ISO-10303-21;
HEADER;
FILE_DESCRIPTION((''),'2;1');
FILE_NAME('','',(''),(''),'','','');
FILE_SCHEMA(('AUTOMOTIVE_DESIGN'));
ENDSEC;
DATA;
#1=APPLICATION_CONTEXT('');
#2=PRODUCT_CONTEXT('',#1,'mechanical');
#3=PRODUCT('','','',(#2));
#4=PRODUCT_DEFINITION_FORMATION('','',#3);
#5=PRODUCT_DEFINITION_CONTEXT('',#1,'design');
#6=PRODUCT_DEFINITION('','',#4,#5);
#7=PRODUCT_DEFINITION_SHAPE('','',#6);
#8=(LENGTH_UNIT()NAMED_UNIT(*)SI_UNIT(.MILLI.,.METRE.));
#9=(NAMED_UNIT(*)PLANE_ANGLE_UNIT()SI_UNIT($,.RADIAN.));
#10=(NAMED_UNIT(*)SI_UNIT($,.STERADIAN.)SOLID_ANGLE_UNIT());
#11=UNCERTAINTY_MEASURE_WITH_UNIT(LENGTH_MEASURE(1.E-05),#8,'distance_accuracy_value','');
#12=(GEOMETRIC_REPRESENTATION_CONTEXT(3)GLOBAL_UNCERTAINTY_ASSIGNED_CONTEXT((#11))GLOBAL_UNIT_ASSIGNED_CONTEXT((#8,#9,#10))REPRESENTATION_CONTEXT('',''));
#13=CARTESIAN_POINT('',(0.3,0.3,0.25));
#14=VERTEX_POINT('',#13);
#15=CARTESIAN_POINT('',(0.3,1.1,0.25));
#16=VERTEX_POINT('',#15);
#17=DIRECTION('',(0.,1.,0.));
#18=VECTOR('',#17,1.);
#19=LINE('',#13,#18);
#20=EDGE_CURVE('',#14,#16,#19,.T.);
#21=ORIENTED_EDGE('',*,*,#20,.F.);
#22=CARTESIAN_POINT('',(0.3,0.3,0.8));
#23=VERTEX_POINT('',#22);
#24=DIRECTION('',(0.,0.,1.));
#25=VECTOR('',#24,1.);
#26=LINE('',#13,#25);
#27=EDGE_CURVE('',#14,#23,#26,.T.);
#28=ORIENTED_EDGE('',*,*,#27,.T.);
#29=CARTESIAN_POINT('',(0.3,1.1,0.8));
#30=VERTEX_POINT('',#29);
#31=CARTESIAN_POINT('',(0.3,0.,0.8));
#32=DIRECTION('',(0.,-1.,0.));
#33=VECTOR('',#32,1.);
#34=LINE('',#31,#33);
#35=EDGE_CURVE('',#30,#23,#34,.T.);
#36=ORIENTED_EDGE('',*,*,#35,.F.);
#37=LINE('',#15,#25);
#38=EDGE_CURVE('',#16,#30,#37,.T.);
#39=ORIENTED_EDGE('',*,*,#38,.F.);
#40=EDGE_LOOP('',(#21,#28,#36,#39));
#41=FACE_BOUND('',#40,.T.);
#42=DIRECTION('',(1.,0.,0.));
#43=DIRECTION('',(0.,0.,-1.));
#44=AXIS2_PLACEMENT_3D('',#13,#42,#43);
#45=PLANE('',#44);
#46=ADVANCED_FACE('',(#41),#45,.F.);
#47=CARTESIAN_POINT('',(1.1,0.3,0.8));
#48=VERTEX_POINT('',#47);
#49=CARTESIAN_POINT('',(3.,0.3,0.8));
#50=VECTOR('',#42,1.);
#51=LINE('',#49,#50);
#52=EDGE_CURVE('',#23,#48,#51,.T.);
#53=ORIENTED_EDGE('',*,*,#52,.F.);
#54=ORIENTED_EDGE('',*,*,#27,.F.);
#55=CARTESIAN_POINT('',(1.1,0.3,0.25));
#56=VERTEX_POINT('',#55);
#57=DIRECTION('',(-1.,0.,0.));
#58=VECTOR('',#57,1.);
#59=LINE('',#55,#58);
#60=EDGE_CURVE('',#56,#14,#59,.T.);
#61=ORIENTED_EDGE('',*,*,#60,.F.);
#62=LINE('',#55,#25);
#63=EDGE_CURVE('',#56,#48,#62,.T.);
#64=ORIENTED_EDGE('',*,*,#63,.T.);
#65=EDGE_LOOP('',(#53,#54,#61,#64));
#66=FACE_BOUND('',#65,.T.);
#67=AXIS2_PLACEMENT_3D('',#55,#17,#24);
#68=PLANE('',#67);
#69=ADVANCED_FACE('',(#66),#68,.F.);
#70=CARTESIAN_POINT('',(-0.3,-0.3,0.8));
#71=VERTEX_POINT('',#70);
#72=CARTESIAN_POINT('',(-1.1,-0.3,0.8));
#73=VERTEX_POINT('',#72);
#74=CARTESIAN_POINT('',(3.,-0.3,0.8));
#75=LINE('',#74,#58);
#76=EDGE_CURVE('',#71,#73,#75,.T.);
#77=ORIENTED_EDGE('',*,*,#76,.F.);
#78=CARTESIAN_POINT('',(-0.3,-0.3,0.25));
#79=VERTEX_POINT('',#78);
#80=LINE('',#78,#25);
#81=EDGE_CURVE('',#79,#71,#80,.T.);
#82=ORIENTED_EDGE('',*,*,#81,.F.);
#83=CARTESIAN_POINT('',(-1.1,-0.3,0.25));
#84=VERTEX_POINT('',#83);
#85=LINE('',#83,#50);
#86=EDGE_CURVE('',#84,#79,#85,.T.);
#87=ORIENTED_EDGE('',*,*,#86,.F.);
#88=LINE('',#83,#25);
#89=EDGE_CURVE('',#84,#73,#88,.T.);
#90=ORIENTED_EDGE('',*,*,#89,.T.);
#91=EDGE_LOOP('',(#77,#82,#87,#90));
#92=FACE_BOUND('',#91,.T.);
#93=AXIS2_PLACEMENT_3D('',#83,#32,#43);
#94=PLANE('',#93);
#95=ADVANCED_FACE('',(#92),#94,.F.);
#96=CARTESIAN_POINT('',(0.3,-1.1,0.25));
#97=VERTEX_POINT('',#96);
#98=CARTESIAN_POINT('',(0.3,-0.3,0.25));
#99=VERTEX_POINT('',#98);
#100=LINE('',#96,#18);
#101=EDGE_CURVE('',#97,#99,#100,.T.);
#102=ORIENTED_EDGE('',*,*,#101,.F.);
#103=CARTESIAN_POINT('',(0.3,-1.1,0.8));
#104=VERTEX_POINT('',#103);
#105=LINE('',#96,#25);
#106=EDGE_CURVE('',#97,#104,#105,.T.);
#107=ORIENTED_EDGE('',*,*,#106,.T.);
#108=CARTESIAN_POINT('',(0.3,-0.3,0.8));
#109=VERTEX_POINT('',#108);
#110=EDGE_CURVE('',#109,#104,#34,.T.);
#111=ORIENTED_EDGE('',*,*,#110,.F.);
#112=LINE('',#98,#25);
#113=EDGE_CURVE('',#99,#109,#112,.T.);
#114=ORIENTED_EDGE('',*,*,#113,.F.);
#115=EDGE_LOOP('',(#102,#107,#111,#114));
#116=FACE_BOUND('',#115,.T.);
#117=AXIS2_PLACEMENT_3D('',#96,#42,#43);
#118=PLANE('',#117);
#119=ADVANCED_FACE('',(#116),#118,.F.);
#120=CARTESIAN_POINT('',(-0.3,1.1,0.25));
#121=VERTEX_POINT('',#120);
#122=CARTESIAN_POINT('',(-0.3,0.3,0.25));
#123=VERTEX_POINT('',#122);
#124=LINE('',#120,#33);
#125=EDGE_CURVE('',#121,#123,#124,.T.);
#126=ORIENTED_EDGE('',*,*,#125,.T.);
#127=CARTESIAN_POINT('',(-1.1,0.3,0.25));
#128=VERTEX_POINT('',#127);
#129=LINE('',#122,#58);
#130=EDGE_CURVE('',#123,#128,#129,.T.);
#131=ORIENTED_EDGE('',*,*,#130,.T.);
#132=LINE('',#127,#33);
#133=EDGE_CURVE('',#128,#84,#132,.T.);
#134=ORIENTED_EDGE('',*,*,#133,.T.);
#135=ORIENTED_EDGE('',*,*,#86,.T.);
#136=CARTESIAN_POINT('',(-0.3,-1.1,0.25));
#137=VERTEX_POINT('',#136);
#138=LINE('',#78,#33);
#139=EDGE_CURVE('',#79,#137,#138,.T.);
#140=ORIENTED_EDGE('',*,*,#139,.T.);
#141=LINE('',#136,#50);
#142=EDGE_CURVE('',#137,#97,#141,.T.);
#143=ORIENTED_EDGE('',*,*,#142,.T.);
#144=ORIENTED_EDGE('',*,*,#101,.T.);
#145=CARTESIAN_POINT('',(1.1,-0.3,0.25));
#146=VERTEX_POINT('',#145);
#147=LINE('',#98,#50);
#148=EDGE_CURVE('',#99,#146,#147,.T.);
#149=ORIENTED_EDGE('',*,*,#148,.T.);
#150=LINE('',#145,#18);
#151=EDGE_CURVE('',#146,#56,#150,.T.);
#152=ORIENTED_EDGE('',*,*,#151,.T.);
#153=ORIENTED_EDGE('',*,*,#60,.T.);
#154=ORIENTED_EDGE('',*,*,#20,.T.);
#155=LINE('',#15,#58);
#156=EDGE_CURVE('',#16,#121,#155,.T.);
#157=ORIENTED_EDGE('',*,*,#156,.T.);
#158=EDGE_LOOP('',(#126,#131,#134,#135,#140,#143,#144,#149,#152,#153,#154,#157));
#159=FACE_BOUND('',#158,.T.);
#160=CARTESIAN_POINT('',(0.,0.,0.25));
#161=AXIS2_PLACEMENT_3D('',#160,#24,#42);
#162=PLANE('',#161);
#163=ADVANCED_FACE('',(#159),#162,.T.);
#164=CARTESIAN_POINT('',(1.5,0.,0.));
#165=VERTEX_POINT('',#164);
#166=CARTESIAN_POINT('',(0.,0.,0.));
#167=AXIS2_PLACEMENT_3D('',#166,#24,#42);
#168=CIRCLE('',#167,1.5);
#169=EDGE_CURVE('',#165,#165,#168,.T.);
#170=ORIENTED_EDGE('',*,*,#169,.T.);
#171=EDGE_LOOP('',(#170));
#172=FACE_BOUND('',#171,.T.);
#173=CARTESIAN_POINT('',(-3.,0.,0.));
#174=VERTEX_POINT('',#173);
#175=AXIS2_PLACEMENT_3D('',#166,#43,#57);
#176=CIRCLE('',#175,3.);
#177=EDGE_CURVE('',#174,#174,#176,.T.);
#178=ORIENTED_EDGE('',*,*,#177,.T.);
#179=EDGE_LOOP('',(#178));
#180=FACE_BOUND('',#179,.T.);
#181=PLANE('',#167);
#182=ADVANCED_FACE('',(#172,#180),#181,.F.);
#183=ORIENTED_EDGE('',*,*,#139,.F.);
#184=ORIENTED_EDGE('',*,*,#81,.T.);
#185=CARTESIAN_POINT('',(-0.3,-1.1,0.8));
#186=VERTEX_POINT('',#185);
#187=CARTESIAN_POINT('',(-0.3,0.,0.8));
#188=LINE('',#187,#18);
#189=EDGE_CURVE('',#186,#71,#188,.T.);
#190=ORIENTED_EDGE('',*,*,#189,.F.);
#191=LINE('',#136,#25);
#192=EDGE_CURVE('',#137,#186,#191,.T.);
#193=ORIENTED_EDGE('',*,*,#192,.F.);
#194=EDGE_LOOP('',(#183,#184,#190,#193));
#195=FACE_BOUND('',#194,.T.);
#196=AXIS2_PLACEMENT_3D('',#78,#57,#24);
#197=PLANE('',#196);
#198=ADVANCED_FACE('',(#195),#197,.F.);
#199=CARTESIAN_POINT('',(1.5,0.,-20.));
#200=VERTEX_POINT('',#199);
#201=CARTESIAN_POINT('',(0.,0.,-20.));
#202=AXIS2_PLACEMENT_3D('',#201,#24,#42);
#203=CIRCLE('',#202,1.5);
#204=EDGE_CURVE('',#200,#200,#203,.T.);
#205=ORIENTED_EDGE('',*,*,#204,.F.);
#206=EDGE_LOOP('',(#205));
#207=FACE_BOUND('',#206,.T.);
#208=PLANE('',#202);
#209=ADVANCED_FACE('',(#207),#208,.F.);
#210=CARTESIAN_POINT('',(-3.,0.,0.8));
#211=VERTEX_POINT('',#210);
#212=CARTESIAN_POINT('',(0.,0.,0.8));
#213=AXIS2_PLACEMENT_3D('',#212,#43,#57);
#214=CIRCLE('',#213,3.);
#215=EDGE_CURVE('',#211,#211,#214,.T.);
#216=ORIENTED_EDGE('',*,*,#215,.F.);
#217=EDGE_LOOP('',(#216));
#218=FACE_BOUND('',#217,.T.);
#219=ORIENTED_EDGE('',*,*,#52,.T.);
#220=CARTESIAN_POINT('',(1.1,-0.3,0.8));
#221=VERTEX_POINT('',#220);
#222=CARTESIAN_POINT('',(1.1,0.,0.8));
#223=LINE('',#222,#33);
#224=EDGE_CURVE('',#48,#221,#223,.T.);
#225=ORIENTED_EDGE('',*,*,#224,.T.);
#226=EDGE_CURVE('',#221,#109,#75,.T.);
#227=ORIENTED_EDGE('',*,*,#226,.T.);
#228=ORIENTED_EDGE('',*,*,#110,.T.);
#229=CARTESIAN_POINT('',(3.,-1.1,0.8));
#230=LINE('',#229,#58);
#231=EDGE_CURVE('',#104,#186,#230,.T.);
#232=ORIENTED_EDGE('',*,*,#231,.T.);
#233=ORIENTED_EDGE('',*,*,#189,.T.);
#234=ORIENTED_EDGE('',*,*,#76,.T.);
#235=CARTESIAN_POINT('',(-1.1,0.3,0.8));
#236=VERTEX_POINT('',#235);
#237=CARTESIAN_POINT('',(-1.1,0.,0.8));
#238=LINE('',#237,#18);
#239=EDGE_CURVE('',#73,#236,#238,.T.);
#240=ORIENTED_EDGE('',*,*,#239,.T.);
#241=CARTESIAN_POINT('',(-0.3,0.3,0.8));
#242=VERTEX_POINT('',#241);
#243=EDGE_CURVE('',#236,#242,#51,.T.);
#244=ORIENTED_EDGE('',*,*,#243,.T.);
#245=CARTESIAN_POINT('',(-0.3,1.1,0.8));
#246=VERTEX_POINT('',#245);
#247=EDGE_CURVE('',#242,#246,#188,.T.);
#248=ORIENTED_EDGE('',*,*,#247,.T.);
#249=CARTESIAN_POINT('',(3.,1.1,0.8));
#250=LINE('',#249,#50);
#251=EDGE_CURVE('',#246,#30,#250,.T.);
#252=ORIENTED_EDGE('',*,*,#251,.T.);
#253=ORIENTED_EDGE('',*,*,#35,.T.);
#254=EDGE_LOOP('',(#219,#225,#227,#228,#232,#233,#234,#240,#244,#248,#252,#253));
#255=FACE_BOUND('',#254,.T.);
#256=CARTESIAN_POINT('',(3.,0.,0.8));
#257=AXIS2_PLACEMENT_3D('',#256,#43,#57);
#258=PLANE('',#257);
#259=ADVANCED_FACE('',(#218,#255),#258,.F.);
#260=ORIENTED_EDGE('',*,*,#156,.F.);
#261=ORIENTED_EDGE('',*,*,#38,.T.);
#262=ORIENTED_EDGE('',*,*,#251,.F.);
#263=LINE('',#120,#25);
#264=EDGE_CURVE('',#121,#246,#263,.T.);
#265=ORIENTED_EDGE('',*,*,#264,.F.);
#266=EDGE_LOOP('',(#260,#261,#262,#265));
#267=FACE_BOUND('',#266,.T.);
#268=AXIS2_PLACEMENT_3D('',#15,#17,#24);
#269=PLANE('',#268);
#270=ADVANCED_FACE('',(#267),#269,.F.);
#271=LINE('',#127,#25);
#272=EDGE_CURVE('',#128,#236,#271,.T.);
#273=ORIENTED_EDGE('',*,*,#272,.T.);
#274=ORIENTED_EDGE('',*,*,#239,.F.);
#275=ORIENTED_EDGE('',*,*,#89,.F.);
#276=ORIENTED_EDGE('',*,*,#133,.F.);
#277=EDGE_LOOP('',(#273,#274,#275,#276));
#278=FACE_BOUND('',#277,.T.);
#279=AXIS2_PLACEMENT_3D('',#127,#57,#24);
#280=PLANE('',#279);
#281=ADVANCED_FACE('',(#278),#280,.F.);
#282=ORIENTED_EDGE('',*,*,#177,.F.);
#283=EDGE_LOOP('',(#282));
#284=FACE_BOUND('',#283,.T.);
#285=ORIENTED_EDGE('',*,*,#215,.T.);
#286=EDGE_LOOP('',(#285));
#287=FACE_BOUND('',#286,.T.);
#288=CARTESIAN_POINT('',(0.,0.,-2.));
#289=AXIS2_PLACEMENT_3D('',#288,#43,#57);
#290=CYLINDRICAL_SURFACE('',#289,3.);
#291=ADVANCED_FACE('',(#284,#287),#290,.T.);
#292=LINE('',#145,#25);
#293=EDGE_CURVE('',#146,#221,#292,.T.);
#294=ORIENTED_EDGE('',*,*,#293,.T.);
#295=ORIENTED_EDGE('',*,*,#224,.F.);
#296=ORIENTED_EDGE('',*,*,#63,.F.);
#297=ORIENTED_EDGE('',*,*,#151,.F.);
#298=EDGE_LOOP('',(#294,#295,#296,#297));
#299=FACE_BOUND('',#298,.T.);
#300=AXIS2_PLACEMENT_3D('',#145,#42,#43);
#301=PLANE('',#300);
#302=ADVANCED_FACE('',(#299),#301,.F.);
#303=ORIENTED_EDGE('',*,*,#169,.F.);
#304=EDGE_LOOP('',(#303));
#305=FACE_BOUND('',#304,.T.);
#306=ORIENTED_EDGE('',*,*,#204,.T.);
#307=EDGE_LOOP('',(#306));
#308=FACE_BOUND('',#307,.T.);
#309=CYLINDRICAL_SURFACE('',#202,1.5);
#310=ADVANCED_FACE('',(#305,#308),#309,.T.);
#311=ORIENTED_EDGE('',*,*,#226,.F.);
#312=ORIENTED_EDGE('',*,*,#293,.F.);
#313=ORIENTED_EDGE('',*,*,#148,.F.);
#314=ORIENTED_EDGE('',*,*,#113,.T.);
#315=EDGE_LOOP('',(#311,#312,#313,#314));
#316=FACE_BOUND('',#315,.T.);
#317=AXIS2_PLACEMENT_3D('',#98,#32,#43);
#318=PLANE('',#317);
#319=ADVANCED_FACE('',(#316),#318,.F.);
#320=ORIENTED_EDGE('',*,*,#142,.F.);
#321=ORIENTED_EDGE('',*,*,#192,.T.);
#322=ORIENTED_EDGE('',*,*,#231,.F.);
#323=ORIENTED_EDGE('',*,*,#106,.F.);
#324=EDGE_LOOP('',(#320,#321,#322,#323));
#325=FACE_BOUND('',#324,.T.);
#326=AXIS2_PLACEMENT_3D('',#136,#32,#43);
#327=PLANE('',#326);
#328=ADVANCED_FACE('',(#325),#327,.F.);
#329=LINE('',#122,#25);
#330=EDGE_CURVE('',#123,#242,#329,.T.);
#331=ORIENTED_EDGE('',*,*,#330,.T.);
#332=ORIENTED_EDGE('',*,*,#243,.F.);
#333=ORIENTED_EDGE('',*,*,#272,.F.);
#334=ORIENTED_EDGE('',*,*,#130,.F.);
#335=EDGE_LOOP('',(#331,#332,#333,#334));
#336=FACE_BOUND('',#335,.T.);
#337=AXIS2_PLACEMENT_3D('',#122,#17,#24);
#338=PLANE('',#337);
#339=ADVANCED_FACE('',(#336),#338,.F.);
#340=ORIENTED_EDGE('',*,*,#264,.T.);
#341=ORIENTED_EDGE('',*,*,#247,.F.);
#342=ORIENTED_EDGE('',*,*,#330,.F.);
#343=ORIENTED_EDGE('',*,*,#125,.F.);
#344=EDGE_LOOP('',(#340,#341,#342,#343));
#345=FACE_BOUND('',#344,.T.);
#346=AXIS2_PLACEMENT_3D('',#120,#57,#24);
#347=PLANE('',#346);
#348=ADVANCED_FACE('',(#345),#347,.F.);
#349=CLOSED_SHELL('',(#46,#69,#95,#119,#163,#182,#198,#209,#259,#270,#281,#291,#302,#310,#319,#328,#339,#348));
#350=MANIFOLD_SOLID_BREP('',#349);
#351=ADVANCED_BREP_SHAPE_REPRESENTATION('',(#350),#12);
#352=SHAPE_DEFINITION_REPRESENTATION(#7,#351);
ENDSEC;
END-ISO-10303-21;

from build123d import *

# Parameters (mm, degrees)
SKETCH_1_R        = 1.5
EXTRUDE_198_DEPTH = 20
SKETCH_6_W        = 3
SKETCH_6_H        = 0.8
PH1_START         = 0.81
PH1_DEPTH         = 0.56


with BuildPart() as part:
    # 草图1 → Extrude 198 (new body)
    with BuildSketch(Plane.XY):
        Circle(SKETCH_1_R)
    extrude(amount=-EXTRUDE_198_DEPTH)

    # 草图6 → Revolve 324 (revolve)
    with BuildSketch(Plane(origin=(0, 0, 0), x_dir=(1, 0, 0), z_dir=(0, 1, 0)), mode=Mode.PRIVATE) as revolve_324_sk:
        with Locations((1.5, -0.4)):
            Rectangle(SKETCH_6_W, SKETCH_6_H)
    revolve(revolve_324_sk.sketch.rotate(Axis((0, 0, -2), (0, 0, 1)), 180), axis=Axis((0, 0, -2), (0, 0, 1)))

    # 草图7 → 十字槽_PH1_简化 (cut)
    with BuildSketch(Plane.XY.offset(PH1_START)):
        Polygon((-0.3, -1.1), (0.3, -1.1), (0.3, -0.3), (1.1, -0.3), (1.1, 0.3), (0.3, 0.3), (0.3, 1.1), (-0.3, 1.1), (-0.3, 0.3), (-1.1, 0.3), (-1.1, -0.3), (-0.3, -0.3), align=None)
    extrude(amount=-PH1_DEPTH, mode=Mode.SUBTRACT)


solid = part.part
